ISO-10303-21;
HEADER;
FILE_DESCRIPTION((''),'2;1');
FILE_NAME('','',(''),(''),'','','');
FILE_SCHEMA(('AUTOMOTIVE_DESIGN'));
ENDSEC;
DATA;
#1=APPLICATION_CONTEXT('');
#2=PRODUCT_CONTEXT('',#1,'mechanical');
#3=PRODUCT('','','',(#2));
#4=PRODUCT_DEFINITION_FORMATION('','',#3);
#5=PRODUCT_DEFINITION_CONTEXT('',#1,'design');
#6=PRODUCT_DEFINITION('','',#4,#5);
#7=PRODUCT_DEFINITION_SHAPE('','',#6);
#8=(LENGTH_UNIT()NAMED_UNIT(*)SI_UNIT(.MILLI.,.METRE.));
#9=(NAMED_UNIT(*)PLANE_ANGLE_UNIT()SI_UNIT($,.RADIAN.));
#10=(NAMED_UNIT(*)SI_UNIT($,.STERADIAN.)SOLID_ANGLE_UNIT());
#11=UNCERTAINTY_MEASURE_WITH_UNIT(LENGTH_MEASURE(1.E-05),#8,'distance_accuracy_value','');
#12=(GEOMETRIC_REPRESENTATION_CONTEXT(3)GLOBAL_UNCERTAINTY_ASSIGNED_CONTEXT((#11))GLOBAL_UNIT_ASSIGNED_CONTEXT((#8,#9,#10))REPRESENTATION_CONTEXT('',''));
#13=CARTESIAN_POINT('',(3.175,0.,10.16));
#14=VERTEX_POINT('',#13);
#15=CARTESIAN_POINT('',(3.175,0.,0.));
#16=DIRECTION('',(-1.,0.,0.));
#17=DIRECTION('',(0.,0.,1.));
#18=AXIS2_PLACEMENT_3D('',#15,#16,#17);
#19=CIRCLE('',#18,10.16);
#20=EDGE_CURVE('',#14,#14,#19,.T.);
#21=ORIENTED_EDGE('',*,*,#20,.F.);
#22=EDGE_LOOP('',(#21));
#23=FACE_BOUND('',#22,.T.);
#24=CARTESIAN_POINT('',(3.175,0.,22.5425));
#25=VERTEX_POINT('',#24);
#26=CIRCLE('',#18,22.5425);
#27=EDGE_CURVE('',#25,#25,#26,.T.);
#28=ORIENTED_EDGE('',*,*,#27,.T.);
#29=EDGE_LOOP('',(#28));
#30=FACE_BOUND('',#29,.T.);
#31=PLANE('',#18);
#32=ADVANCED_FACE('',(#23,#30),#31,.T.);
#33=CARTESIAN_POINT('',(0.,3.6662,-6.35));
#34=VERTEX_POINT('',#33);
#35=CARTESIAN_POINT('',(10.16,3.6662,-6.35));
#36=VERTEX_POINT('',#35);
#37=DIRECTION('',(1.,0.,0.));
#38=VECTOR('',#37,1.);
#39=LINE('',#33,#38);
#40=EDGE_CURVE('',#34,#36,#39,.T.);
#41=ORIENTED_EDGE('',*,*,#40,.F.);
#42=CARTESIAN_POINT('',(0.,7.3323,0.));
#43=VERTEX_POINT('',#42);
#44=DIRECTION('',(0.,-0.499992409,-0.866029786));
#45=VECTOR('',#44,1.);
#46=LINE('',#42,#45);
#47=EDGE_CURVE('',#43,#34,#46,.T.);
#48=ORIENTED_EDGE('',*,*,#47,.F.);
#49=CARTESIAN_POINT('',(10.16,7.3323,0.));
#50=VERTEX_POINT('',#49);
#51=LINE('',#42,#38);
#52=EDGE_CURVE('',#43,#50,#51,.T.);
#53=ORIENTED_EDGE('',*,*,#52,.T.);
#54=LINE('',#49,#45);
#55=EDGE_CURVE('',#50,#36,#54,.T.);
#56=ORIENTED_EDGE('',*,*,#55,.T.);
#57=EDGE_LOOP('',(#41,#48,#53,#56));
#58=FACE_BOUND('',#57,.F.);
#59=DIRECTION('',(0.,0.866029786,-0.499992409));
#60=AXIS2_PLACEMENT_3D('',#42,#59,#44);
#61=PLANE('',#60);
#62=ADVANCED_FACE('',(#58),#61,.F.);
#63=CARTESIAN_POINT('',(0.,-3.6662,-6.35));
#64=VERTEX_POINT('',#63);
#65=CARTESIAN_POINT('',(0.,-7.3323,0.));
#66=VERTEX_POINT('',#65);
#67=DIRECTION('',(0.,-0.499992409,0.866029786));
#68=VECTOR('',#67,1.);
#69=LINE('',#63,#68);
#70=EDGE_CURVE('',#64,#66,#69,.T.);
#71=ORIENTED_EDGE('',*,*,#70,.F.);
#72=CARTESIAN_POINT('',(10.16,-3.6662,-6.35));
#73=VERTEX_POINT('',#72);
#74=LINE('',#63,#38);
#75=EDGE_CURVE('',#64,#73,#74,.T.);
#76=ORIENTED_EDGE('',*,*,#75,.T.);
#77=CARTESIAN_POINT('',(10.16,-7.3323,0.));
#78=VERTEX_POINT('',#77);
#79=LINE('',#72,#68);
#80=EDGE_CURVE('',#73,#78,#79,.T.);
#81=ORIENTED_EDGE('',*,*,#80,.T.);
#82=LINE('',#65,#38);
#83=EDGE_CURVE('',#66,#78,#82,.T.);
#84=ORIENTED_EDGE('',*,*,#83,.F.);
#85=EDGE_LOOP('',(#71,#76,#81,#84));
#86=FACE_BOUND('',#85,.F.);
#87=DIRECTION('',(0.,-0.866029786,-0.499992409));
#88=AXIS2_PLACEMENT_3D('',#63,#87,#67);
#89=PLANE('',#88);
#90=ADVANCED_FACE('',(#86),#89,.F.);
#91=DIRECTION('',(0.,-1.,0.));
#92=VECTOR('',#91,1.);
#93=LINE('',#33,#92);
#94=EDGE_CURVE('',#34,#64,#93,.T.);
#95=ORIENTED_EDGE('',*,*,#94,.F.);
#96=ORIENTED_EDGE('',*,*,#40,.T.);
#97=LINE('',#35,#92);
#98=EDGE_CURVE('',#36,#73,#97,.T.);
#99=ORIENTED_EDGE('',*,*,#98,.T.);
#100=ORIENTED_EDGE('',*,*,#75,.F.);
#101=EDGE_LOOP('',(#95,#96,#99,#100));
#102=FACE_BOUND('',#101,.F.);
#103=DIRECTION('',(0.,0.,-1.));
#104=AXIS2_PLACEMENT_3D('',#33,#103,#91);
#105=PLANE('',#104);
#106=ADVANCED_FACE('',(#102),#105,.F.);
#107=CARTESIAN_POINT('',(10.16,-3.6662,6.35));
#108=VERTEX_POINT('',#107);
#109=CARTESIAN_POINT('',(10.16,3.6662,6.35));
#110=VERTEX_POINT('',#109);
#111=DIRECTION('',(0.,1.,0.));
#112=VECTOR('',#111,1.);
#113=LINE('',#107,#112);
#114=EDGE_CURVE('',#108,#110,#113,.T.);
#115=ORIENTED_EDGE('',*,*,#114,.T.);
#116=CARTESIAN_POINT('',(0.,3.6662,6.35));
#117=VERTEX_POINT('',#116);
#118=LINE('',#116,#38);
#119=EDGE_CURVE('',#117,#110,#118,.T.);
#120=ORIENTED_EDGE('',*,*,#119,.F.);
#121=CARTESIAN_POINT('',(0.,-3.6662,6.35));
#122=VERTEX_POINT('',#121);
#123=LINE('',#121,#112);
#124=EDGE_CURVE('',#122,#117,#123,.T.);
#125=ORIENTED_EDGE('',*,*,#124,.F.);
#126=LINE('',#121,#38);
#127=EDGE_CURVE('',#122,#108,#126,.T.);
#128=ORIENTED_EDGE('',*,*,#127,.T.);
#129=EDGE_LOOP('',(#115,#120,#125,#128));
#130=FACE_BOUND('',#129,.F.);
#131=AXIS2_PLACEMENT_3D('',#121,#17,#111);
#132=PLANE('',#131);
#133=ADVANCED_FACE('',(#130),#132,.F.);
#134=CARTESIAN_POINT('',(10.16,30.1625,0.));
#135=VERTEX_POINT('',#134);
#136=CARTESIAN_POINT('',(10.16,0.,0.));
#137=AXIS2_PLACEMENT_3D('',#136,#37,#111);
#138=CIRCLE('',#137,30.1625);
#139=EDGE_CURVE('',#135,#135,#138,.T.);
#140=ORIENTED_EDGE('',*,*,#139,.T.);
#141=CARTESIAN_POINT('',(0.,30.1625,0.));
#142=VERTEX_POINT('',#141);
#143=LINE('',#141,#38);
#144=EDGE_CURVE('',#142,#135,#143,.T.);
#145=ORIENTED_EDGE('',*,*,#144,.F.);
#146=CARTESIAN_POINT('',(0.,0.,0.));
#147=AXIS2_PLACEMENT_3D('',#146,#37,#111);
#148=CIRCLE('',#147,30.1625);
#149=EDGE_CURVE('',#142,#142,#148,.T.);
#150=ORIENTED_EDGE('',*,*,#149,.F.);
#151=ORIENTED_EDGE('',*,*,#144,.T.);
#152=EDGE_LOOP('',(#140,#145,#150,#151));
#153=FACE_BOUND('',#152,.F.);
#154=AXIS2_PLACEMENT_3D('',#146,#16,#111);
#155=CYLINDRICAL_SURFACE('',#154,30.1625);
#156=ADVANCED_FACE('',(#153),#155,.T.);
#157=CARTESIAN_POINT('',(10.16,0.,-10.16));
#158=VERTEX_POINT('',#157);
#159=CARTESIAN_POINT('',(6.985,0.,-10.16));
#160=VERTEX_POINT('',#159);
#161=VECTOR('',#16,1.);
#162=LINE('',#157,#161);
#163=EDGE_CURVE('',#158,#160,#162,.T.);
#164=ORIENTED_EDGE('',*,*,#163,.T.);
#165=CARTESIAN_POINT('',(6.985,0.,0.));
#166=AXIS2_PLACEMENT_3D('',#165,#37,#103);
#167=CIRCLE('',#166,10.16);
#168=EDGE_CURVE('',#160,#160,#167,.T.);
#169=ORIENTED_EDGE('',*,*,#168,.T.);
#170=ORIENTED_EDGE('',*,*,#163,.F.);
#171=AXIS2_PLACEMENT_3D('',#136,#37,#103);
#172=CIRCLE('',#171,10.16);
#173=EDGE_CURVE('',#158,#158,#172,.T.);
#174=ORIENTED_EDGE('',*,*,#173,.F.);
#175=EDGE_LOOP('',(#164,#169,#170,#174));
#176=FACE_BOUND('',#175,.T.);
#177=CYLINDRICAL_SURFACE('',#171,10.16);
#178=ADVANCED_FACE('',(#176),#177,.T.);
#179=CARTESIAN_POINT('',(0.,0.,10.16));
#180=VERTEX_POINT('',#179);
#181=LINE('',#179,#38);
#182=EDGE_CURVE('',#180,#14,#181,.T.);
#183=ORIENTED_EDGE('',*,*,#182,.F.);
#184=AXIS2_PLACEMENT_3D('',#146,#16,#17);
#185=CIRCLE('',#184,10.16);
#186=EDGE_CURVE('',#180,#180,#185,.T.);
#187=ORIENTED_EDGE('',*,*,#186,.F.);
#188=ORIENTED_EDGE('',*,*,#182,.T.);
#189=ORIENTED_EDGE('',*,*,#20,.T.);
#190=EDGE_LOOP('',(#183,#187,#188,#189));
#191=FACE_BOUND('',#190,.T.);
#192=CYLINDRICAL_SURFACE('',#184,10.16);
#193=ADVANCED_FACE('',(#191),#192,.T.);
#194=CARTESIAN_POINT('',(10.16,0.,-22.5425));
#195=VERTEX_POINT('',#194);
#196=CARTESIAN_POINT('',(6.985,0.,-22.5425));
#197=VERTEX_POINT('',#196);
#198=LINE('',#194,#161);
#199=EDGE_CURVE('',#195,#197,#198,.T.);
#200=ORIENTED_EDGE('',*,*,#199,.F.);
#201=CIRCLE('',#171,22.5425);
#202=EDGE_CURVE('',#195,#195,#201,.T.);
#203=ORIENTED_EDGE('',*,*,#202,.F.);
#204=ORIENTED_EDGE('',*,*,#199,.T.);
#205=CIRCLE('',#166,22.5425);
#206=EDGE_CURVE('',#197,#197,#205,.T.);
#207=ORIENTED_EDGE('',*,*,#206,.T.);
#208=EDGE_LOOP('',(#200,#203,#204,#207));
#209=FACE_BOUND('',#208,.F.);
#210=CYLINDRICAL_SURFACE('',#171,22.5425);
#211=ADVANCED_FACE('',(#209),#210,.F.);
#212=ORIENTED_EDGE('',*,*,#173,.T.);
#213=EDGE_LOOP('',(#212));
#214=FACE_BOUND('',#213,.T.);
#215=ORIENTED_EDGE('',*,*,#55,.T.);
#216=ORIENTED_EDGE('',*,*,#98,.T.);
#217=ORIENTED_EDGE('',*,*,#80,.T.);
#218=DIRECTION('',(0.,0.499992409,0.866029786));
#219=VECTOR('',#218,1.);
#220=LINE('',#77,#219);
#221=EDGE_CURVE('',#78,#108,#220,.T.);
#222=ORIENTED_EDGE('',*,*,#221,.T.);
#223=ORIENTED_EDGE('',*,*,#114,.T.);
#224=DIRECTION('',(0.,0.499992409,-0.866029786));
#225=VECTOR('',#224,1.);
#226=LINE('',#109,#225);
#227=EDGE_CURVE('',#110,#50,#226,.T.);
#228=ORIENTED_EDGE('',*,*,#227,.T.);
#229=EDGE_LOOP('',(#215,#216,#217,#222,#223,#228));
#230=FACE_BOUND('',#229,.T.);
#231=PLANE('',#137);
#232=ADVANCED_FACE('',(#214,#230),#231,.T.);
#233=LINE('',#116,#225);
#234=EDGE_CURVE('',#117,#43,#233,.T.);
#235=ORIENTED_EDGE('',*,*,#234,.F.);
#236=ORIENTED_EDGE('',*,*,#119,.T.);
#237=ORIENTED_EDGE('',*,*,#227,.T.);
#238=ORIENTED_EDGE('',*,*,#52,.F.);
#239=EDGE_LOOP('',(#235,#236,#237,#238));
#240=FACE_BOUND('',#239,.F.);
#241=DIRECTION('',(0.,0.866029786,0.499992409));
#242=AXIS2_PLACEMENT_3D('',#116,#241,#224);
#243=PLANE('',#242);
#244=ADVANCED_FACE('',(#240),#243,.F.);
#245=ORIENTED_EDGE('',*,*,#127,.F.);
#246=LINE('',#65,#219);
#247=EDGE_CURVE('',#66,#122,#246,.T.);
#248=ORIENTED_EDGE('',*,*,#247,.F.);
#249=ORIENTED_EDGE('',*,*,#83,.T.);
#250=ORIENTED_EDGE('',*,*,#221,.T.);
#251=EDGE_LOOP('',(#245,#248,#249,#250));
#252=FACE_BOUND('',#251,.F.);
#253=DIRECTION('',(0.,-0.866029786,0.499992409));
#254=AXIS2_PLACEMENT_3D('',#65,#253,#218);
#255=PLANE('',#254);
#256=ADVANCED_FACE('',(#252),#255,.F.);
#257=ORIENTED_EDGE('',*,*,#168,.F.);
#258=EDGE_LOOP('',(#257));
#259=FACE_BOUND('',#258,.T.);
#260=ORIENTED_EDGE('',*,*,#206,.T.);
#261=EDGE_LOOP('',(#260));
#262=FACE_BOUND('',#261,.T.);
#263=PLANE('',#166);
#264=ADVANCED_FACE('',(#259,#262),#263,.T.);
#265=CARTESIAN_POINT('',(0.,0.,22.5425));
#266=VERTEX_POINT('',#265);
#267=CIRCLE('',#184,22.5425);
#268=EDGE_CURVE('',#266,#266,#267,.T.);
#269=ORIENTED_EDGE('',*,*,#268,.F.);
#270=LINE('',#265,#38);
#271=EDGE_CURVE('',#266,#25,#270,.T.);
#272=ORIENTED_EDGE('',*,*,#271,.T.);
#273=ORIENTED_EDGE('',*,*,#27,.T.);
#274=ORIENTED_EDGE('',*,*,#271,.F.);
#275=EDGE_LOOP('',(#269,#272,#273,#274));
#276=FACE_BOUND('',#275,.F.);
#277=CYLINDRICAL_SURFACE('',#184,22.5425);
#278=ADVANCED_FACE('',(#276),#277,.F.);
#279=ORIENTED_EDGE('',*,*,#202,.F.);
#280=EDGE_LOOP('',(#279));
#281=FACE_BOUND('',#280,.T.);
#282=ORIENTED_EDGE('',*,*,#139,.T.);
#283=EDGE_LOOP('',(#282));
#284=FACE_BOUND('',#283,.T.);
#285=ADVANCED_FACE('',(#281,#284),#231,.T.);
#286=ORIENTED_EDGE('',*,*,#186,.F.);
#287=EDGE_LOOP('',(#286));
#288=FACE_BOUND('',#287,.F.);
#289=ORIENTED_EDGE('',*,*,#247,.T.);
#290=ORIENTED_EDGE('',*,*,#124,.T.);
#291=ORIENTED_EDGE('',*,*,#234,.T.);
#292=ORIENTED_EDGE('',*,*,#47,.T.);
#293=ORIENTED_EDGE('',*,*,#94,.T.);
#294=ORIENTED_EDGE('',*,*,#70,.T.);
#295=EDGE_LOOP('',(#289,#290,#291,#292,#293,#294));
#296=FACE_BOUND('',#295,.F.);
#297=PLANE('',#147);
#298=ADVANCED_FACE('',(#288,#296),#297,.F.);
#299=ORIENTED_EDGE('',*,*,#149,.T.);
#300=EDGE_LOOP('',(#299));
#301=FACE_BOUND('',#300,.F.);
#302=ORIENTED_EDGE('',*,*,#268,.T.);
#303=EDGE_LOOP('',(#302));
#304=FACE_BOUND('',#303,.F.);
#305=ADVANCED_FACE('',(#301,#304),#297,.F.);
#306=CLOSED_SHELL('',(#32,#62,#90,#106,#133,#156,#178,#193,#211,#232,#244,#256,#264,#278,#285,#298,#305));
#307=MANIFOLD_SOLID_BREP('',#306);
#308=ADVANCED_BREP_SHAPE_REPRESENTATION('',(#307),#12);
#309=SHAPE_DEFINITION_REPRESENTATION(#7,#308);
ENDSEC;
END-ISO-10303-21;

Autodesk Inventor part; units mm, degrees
ref_plane "YZ Plane" through (0, 0, 0) normal (1, 0, 0) x (0, 1, 0)
ref_plane "XZ Plane" through (0, 0, 0) normal (0, 1, 0) x (-1, 0, 0)
ref_plane "XY Plane" through (0, 0, 0) normal (0, 0, 1) x (1, 0, 0)
sketch "Sketch1" plane through (0, 0, 0) normal (1, 0, 0) x (0, 1, 0)
  circle A0 centre (0, 0) radius 30.1625
  circle A1 centre (0, 0) radius 10.16 construction
  line L0 (7.3323, 0) -> (3.6662, -6.35)
  line L1 (3.6662, -6.35) -> (-3.6662, -6.35)
  line L2 (-3.6662, -6.35) -> (-7.3323, 0)
  line L3 (-7.3323, 0) -> (-3.6662, 6.35)
  line L4 (-3.6662, 6.35) -> (3.6662, 6.35)
  line L5 (3.6662, 6.35) -> (7.3323, 0)
  dimension "d0" = 60.325
  dimension "d1" = 20.32
  dimension "d2" = 12.7
extrude "Extrusion1" add sketch "Sketch1" along normal blind 10.16
sketch "Sketch2" plane through (10.16, 0, 0) normal (1, 0, 0) x (0, 0, -1)
  circle A0 centre (0, 0) radius 22.5425
  circle A1 centre (0, 0) radius 10.16
  dimension "d5" = 45.085
  dimension "d6" = 20.32
extrude "Extrusion2" cut sketch "Sketch2" against normal blind 3.175
sketch "Sketch3" plane through (0, 0, 0) normal (-1, 0, 0) x (0, 0, 1)
  circle A0 centre (0, 0) radius 10.16
  circle A1 centre (0, 0) radius 22.5425
  dimension "d9" = 20.32
  dimension "d10" = 45.085
extrude "Extrusion3" cut sketch "Sketch3" against normal blind 3.175
properties part number "banebots 400 - 2 3-8 replacement"
